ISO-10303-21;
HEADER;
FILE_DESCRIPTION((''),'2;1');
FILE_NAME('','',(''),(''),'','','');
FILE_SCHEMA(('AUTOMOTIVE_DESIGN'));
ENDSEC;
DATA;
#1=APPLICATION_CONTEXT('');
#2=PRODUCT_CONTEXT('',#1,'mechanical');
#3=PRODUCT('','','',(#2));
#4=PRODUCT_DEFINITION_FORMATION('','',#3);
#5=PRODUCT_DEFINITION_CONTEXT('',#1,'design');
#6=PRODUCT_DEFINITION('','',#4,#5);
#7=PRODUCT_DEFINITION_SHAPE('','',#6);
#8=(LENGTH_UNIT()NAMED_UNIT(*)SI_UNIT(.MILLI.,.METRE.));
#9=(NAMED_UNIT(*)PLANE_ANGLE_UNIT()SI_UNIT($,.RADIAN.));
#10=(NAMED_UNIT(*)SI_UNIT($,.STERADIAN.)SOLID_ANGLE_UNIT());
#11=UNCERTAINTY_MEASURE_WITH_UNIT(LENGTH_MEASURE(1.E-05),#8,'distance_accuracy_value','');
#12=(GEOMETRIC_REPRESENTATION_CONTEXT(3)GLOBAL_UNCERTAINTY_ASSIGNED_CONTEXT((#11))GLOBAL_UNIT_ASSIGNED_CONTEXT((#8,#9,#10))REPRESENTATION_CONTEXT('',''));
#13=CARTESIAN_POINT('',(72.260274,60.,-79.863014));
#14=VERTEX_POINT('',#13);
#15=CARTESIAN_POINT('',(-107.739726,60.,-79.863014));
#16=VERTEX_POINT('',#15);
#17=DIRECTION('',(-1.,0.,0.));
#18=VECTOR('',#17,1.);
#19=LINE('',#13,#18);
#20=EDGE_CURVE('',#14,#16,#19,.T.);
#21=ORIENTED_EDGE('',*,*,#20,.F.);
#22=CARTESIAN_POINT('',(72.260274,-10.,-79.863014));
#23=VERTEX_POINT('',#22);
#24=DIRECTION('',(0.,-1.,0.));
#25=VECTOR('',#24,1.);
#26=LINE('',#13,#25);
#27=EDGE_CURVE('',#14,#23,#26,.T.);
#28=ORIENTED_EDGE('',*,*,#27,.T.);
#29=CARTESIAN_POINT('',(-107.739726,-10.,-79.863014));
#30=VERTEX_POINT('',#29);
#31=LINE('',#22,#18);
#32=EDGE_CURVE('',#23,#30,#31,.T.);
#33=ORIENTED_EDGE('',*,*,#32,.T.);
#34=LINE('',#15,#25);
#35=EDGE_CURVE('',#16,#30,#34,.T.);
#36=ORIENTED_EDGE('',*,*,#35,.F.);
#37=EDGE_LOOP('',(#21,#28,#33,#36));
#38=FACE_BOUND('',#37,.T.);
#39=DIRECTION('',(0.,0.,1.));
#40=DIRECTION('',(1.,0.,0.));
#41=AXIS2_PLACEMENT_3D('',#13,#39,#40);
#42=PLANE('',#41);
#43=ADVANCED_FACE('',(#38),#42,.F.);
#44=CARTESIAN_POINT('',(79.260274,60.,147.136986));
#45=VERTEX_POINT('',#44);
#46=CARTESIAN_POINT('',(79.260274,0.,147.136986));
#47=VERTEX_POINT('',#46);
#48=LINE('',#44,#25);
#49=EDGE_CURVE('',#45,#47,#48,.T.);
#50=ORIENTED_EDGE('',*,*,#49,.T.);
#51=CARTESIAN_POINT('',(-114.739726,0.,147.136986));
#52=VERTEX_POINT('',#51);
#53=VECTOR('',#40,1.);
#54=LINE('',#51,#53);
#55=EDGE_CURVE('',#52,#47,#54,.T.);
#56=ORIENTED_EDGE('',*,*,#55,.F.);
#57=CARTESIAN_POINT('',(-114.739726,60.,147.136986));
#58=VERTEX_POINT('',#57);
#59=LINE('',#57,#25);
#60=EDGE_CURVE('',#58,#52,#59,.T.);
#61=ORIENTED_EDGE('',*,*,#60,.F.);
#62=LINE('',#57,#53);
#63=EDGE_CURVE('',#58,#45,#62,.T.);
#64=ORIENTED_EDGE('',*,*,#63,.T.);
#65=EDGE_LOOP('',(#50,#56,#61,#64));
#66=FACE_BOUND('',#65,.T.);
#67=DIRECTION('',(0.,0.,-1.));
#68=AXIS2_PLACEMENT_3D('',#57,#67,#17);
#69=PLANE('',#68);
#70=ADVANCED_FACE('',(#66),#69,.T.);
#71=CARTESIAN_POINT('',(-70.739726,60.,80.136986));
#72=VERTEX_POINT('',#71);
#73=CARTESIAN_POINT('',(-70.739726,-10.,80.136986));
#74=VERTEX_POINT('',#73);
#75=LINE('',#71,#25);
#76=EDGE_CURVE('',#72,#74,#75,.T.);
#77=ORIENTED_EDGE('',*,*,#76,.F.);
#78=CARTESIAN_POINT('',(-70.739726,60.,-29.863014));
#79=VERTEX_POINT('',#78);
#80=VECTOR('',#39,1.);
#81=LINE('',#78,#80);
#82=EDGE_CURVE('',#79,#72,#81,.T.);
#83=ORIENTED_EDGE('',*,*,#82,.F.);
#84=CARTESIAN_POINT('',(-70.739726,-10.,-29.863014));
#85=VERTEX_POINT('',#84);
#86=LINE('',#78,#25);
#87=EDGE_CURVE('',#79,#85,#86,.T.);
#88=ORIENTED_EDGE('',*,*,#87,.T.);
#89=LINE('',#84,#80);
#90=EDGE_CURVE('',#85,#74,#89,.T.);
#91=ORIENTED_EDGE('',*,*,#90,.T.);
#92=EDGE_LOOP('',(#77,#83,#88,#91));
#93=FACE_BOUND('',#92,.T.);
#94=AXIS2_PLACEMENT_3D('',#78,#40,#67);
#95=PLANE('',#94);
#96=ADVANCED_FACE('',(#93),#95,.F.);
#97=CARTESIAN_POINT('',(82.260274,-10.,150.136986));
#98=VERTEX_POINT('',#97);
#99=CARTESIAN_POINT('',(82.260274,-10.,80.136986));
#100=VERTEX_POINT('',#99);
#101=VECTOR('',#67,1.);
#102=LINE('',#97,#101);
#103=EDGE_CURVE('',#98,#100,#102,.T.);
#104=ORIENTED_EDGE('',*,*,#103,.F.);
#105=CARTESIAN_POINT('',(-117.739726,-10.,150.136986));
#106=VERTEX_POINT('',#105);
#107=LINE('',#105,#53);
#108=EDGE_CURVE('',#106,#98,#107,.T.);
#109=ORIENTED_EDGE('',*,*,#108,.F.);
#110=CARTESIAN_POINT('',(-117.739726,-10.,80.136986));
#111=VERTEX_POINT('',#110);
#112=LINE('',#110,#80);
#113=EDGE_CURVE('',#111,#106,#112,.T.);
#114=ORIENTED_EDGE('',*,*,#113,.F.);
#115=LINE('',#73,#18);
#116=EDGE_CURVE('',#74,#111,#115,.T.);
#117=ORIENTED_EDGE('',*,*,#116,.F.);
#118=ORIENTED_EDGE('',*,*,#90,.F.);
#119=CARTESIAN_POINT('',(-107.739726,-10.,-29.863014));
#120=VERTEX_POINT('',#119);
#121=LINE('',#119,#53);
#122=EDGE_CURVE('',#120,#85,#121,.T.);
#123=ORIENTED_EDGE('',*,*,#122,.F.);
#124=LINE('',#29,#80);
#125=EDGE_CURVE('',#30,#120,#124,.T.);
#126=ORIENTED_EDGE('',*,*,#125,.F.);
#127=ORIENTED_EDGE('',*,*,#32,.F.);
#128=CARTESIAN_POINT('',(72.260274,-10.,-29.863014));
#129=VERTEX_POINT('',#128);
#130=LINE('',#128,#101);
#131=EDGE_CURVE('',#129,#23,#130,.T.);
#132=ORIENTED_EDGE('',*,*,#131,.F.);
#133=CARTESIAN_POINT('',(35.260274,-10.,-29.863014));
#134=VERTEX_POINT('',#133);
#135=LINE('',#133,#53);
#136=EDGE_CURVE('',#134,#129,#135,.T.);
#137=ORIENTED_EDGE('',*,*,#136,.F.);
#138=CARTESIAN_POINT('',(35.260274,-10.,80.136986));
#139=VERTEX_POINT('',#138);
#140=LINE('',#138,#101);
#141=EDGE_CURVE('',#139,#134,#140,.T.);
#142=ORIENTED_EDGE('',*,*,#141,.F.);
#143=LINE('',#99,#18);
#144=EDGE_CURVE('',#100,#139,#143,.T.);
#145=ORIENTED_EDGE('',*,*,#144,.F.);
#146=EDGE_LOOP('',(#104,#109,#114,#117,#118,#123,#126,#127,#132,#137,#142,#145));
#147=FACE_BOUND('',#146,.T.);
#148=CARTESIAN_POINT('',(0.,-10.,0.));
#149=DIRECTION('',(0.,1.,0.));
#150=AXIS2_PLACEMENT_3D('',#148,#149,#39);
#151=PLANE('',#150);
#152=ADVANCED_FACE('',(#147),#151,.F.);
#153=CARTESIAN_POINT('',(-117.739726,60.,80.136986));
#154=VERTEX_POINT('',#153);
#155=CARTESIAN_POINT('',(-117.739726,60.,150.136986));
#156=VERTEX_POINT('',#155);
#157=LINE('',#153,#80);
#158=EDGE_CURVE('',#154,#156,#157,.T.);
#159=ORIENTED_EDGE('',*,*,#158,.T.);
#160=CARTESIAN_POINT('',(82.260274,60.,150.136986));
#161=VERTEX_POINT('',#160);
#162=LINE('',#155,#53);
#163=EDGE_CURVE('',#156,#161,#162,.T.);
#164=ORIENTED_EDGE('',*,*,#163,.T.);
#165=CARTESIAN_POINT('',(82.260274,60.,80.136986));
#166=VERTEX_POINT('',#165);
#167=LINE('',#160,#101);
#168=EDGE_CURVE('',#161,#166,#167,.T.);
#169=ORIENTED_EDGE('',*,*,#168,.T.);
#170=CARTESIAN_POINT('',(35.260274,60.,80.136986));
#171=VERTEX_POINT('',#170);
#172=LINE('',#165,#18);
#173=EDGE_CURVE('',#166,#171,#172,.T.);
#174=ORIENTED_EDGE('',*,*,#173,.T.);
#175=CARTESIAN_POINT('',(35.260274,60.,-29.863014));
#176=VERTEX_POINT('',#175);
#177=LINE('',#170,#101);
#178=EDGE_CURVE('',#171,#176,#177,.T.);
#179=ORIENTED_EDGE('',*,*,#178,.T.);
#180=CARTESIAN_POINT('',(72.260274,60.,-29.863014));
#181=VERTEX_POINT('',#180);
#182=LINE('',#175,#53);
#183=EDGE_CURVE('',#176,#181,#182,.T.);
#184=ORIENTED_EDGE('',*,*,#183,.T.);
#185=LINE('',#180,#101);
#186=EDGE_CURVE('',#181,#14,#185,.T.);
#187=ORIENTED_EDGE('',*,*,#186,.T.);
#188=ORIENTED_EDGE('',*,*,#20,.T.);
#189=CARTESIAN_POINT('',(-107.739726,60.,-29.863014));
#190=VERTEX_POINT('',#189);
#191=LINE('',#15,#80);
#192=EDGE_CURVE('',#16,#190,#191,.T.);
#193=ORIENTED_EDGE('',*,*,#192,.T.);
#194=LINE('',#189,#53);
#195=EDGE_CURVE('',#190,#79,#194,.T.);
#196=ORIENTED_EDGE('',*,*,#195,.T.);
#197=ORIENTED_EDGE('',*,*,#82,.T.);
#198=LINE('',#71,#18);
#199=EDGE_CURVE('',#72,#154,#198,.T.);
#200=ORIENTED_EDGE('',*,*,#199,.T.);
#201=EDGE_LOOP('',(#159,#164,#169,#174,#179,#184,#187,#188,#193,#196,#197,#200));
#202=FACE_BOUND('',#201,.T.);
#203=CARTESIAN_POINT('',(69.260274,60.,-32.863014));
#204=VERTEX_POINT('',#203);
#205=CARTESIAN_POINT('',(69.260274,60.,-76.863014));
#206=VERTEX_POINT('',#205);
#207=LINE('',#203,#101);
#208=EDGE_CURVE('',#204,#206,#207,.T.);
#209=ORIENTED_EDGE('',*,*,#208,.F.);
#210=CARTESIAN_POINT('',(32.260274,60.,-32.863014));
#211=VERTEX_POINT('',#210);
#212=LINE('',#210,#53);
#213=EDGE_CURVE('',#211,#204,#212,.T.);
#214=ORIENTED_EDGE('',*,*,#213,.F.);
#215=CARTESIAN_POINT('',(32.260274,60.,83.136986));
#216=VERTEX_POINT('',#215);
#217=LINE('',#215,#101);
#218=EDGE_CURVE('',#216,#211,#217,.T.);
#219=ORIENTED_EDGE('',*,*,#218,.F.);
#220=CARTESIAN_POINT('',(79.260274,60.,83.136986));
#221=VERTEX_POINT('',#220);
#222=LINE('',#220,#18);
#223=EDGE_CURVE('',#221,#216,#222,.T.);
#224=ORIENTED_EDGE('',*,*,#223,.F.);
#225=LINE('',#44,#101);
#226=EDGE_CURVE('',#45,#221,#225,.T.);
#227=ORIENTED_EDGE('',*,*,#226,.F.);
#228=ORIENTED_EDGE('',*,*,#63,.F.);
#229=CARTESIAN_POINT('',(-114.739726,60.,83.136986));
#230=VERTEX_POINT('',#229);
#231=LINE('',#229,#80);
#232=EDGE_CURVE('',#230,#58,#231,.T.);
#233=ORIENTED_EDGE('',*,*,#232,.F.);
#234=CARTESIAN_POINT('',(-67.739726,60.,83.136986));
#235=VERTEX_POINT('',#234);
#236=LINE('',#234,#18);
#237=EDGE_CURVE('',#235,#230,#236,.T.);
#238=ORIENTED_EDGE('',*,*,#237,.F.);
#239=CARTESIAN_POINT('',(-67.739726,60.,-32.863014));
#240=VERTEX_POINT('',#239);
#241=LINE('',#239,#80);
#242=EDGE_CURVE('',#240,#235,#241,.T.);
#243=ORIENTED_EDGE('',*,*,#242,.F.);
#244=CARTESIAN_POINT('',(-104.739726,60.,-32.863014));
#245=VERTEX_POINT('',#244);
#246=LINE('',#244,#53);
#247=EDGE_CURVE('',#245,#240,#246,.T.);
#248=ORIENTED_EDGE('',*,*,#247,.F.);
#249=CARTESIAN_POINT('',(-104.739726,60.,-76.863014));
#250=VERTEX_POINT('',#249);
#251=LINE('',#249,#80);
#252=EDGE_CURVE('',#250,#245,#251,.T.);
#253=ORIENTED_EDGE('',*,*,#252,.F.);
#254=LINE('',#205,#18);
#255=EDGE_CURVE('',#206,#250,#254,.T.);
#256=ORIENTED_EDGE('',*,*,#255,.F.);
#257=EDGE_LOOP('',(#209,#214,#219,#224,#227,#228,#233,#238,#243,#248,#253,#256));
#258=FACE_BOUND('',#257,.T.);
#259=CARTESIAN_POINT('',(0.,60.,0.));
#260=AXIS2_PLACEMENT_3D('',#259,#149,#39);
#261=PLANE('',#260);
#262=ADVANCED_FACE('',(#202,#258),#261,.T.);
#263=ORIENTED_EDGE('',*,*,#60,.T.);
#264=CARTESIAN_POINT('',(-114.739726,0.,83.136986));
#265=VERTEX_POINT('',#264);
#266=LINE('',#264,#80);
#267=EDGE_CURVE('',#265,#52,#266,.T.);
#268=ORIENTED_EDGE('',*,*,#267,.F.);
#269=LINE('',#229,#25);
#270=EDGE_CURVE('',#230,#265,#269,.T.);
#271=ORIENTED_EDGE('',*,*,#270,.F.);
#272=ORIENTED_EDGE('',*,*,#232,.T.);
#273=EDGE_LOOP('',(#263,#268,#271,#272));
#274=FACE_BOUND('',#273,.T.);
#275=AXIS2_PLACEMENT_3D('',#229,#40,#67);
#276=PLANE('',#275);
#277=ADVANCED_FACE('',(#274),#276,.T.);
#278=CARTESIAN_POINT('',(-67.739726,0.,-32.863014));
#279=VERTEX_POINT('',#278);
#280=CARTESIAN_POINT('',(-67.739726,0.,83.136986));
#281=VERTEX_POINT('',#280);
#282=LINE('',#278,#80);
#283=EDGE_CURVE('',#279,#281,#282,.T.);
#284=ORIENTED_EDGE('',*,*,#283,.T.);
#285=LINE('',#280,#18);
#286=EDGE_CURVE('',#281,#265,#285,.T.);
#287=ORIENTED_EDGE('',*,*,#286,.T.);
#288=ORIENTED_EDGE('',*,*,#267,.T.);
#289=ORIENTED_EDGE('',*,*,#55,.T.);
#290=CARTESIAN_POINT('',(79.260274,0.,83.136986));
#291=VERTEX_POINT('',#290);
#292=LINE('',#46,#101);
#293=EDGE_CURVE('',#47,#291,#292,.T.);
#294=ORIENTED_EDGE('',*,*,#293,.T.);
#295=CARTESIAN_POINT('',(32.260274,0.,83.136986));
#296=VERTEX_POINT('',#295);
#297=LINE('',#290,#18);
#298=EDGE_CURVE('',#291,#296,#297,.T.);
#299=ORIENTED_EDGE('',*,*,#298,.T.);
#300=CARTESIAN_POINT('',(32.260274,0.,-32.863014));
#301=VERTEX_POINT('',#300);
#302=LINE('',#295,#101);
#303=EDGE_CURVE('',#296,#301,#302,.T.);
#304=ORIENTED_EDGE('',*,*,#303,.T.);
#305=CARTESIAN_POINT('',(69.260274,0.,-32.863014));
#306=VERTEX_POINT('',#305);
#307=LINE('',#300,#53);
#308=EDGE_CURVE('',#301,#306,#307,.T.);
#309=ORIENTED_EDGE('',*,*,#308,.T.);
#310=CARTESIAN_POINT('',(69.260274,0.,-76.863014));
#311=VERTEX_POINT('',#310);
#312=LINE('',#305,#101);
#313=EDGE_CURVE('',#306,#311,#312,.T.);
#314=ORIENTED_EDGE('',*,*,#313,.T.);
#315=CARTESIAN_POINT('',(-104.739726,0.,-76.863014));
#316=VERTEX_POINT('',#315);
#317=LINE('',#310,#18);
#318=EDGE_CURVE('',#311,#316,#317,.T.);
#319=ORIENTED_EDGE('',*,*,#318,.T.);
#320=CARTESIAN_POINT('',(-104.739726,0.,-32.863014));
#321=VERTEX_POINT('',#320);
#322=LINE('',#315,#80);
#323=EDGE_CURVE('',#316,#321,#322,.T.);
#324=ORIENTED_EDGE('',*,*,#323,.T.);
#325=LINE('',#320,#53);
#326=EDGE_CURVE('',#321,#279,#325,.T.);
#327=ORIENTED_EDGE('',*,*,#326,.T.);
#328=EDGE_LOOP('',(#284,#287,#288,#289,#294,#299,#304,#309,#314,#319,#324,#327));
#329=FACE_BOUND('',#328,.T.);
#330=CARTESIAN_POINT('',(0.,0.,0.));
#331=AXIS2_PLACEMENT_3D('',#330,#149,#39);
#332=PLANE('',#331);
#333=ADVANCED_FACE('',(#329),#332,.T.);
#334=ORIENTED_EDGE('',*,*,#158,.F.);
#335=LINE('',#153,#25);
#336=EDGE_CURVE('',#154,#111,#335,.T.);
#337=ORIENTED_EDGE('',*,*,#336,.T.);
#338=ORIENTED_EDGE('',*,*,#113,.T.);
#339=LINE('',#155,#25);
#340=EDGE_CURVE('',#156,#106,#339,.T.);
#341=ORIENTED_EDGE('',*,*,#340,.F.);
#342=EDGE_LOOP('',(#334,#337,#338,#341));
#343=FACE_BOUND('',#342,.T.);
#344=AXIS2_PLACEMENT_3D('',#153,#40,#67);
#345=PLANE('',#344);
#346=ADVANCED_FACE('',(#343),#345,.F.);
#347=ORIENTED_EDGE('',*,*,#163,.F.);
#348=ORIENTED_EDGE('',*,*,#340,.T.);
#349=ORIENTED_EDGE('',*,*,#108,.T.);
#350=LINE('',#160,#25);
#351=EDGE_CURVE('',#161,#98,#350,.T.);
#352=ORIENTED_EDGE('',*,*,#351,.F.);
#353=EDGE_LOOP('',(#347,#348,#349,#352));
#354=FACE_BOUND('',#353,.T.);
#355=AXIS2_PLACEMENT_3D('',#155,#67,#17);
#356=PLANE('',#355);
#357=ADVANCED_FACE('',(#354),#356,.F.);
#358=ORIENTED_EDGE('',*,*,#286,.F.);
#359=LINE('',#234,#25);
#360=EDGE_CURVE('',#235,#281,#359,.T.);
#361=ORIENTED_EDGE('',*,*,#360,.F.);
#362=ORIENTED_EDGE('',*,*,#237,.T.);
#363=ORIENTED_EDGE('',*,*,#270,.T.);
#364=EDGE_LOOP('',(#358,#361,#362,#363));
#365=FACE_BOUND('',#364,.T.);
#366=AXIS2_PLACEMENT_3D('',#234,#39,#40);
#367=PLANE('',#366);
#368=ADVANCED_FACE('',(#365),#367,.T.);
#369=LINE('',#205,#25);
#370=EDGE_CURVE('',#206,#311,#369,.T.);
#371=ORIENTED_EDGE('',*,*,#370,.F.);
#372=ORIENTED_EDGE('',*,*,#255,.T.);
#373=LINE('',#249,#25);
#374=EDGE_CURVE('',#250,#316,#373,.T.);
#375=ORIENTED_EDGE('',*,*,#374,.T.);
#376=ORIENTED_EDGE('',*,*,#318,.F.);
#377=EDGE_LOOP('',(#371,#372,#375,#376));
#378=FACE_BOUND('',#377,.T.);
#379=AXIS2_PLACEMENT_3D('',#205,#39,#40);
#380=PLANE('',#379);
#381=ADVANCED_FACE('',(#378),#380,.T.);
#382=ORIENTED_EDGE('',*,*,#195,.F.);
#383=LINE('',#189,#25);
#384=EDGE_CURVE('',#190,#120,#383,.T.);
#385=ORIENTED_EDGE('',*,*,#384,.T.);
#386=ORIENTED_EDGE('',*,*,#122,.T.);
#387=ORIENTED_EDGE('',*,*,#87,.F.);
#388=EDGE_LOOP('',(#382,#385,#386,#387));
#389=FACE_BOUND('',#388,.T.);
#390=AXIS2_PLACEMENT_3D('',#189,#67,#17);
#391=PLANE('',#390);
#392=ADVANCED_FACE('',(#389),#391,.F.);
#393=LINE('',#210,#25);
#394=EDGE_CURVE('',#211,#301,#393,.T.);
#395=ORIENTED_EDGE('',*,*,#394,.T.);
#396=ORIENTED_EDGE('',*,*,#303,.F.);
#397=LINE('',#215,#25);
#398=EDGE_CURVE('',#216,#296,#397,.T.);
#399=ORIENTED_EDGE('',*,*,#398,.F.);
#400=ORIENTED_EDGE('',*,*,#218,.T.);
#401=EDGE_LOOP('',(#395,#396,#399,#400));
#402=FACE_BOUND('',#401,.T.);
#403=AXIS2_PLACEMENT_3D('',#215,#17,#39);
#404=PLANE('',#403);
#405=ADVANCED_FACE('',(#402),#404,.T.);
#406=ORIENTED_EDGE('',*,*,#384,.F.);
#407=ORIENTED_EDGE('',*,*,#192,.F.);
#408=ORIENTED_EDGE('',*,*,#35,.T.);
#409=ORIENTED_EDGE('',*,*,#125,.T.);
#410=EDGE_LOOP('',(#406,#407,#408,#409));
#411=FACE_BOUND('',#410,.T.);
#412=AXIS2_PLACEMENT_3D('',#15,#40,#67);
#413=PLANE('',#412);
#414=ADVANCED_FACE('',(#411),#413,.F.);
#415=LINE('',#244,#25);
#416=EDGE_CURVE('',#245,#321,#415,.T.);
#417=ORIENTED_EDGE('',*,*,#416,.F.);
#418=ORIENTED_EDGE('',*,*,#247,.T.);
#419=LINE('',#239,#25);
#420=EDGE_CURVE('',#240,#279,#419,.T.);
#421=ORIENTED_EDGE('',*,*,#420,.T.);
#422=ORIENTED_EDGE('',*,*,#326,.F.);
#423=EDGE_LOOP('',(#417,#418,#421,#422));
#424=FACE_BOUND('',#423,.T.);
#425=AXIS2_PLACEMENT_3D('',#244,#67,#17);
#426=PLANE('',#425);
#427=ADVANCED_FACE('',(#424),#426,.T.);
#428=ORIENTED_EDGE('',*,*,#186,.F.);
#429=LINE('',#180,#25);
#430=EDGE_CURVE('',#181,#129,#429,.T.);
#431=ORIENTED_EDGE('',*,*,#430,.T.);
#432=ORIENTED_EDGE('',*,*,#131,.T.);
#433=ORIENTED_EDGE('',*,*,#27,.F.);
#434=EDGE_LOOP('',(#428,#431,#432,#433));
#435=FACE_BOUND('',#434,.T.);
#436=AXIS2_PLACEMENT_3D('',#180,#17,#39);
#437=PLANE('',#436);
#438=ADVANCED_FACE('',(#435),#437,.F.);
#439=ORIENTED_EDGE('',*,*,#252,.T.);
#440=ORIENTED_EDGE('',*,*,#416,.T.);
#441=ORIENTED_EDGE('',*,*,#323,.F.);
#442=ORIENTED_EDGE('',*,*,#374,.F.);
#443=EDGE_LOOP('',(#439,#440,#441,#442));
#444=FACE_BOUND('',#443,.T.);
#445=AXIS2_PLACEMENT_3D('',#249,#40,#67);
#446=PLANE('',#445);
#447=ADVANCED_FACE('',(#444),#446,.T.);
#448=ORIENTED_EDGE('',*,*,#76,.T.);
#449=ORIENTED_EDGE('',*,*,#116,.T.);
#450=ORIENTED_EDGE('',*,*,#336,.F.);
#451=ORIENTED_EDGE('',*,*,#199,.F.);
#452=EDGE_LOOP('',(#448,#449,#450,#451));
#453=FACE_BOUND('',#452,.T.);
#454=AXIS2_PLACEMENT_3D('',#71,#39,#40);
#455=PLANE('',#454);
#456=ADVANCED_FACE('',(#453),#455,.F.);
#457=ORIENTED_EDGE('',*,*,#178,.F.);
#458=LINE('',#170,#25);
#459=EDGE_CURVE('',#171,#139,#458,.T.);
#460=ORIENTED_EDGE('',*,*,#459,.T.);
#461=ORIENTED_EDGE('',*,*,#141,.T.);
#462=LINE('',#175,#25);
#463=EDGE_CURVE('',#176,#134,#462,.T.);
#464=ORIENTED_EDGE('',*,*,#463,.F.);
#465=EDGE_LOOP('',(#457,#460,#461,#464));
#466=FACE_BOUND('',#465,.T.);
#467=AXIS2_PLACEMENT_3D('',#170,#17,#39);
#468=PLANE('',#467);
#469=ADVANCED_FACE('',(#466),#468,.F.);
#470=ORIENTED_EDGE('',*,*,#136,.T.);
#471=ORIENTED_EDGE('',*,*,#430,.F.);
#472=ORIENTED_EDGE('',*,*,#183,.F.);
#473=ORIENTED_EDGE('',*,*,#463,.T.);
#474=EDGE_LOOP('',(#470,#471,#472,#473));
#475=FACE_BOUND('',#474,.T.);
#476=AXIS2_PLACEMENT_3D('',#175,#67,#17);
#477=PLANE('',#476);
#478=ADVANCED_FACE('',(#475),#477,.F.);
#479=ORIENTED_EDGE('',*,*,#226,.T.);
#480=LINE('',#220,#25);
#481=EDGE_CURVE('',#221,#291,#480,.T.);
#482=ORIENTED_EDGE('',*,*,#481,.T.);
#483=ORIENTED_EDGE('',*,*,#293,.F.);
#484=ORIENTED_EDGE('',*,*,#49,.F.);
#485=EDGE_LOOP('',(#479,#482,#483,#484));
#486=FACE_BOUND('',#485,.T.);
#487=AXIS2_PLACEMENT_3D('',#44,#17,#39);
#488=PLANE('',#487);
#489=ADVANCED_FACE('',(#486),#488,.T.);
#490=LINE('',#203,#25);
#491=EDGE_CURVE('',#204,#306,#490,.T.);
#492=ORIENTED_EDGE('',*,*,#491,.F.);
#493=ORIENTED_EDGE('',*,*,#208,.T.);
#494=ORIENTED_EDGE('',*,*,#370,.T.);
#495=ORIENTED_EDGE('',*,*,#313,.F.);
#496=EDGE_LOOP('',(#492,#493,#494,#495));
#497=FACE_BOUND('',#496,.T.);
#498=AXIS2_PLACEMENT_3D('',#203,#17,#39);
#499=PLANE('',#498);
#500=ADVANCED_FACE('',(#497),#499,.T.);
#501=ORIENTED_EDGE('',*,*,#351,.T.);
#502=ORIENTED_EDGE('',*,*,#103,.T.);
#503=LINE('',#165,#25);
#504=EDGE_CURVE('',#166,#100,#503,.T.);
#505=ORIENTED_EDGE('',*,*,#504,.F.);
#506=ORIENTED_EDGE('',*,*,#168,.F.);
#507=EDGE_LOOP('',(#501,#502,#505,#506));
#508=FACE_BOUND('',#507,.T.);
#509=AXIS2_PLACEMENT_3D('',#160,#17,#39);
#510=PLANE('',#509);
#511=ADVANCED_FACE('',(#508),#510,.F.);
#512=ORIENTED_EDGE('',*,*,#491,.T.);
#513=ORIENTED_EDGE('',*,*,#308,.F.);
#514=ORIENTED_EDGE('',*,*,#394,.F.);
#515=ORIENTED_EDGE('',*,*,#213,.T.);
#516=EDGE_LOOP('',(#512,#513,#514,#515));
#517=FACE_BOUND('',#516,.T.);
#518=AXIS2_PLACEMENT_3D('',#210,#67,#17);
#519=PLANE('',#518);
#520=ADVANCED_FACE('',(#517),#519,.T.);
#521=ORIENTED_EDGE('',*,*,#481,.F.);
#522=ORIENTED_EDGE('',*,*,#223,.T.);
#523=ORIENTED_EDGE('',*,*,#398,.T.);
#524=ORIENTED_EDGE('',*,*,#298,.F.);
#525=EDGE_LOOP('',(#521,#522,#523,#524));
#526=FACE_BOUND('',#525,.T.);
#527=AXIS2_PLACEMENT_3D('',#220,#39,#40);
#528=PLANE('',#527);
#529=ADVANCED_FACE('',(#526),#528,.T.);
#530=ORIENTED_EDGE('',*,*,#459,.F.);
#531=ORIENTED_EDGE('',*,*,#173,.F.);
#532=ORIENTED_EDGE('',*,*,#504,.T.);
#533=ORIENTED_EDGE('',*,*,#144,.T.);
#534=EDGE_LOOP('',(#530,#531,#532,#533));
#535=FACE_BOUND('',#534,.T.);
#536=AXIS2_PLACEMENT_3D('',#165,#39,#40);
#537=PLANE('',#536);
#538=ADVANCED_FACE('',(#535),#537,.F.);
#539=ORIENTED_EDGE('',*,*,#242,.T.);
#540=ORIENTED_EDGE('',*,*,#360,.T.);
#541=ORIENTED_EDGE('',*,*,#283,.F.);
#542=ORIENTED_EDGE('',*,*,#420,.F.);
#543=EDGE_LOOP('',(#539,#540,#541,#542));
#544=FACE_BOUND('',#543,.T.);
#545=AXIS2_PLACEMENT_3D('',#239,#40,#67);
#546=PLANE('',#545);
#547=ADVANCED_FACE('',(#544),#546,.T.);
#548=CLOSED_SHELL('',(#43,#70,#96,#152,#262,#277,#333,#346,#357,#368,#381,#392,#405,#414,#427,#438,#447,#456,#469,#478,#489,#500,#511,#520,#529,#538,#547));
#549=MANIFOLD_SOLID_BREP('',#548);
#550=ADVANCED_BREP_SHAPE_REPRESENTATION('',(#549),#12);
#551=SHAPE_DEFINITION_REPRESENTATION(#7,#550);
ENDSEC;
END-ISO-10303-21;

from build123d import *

# Parameters (mm, degrees)
BOSS_EXTRUDE1_DEPTH = 60
BOSS_EXTRUDE2_DEPTH = 10


with BuildPart() as part:
    # Sketch1 → Boss-Extrude1 (new body)
    with BuildSketch(Plane(origin=(0, 0, 0), x_dir=(1, 0, 0), z_dir=(0, 1, 0))):
        Polygon((72.260273973, 79.863013699), (-107.739726027, 79.863013699), (-107.739726027, 29.863013699), (-70.739726027, 29.863013699), (-70.739726027, -80.136986301), (-117.739726027, -80.136986301), (-117.739726027, -150.136986301), (82.260273973, -150.136986301), (82.260273973, -80.136986301), (35.260273973, -80.136986301), (35.260273973, 29.863013699), (72.260273973, 29.863013699), align=None)
        Polygon((69.260273973, 76.863013699), (-104.739726027, 76.863013699), (-104.739726027, 32.863013699), (-67.739726027, 32.863013699), (-67.739726027, -83.136986301), (-114.739726027, -83.136986301), (-114.739726027, -147.136986301), (79.260273973, -147.136986301), (79.260273973, -83.136986301), (32.260273973, -83.136986301), (32.260273973, 32.863013699), (69.260273973, 32.863013699), align=None, mode=Mode.SUBTRACT)
    extrude(amount=BOSS_EXTRUDE1_DEPTH)

    # Sketch2 → Boss-Extrude2 (add)
    with BuildSketch(Plane(origin=(0, 0, 0), x_dir=(1, 0, 0), z_dir=(0, 1, 0))):
        Polygon((72.260273973, 29.863013699), (72.260273973, 79.863013699), (-107.739726027, 79.863013699), (-107.739726027, 29.863013699), (-70.739726027, 29.863013699), (-70.739726027, -80.136986301), (-117.739726027, -80.136986301), (-117.739726027, -150.136986301), (82.260273973, -150.136986301), (82.260273973, -80.136986301), (35.260273973, -80.136986301), (35.260273973, 29.863013699), align=None)
    extrude(amount=-BOSS_EXTRUDE2_DEPTH)


solid = part.part
